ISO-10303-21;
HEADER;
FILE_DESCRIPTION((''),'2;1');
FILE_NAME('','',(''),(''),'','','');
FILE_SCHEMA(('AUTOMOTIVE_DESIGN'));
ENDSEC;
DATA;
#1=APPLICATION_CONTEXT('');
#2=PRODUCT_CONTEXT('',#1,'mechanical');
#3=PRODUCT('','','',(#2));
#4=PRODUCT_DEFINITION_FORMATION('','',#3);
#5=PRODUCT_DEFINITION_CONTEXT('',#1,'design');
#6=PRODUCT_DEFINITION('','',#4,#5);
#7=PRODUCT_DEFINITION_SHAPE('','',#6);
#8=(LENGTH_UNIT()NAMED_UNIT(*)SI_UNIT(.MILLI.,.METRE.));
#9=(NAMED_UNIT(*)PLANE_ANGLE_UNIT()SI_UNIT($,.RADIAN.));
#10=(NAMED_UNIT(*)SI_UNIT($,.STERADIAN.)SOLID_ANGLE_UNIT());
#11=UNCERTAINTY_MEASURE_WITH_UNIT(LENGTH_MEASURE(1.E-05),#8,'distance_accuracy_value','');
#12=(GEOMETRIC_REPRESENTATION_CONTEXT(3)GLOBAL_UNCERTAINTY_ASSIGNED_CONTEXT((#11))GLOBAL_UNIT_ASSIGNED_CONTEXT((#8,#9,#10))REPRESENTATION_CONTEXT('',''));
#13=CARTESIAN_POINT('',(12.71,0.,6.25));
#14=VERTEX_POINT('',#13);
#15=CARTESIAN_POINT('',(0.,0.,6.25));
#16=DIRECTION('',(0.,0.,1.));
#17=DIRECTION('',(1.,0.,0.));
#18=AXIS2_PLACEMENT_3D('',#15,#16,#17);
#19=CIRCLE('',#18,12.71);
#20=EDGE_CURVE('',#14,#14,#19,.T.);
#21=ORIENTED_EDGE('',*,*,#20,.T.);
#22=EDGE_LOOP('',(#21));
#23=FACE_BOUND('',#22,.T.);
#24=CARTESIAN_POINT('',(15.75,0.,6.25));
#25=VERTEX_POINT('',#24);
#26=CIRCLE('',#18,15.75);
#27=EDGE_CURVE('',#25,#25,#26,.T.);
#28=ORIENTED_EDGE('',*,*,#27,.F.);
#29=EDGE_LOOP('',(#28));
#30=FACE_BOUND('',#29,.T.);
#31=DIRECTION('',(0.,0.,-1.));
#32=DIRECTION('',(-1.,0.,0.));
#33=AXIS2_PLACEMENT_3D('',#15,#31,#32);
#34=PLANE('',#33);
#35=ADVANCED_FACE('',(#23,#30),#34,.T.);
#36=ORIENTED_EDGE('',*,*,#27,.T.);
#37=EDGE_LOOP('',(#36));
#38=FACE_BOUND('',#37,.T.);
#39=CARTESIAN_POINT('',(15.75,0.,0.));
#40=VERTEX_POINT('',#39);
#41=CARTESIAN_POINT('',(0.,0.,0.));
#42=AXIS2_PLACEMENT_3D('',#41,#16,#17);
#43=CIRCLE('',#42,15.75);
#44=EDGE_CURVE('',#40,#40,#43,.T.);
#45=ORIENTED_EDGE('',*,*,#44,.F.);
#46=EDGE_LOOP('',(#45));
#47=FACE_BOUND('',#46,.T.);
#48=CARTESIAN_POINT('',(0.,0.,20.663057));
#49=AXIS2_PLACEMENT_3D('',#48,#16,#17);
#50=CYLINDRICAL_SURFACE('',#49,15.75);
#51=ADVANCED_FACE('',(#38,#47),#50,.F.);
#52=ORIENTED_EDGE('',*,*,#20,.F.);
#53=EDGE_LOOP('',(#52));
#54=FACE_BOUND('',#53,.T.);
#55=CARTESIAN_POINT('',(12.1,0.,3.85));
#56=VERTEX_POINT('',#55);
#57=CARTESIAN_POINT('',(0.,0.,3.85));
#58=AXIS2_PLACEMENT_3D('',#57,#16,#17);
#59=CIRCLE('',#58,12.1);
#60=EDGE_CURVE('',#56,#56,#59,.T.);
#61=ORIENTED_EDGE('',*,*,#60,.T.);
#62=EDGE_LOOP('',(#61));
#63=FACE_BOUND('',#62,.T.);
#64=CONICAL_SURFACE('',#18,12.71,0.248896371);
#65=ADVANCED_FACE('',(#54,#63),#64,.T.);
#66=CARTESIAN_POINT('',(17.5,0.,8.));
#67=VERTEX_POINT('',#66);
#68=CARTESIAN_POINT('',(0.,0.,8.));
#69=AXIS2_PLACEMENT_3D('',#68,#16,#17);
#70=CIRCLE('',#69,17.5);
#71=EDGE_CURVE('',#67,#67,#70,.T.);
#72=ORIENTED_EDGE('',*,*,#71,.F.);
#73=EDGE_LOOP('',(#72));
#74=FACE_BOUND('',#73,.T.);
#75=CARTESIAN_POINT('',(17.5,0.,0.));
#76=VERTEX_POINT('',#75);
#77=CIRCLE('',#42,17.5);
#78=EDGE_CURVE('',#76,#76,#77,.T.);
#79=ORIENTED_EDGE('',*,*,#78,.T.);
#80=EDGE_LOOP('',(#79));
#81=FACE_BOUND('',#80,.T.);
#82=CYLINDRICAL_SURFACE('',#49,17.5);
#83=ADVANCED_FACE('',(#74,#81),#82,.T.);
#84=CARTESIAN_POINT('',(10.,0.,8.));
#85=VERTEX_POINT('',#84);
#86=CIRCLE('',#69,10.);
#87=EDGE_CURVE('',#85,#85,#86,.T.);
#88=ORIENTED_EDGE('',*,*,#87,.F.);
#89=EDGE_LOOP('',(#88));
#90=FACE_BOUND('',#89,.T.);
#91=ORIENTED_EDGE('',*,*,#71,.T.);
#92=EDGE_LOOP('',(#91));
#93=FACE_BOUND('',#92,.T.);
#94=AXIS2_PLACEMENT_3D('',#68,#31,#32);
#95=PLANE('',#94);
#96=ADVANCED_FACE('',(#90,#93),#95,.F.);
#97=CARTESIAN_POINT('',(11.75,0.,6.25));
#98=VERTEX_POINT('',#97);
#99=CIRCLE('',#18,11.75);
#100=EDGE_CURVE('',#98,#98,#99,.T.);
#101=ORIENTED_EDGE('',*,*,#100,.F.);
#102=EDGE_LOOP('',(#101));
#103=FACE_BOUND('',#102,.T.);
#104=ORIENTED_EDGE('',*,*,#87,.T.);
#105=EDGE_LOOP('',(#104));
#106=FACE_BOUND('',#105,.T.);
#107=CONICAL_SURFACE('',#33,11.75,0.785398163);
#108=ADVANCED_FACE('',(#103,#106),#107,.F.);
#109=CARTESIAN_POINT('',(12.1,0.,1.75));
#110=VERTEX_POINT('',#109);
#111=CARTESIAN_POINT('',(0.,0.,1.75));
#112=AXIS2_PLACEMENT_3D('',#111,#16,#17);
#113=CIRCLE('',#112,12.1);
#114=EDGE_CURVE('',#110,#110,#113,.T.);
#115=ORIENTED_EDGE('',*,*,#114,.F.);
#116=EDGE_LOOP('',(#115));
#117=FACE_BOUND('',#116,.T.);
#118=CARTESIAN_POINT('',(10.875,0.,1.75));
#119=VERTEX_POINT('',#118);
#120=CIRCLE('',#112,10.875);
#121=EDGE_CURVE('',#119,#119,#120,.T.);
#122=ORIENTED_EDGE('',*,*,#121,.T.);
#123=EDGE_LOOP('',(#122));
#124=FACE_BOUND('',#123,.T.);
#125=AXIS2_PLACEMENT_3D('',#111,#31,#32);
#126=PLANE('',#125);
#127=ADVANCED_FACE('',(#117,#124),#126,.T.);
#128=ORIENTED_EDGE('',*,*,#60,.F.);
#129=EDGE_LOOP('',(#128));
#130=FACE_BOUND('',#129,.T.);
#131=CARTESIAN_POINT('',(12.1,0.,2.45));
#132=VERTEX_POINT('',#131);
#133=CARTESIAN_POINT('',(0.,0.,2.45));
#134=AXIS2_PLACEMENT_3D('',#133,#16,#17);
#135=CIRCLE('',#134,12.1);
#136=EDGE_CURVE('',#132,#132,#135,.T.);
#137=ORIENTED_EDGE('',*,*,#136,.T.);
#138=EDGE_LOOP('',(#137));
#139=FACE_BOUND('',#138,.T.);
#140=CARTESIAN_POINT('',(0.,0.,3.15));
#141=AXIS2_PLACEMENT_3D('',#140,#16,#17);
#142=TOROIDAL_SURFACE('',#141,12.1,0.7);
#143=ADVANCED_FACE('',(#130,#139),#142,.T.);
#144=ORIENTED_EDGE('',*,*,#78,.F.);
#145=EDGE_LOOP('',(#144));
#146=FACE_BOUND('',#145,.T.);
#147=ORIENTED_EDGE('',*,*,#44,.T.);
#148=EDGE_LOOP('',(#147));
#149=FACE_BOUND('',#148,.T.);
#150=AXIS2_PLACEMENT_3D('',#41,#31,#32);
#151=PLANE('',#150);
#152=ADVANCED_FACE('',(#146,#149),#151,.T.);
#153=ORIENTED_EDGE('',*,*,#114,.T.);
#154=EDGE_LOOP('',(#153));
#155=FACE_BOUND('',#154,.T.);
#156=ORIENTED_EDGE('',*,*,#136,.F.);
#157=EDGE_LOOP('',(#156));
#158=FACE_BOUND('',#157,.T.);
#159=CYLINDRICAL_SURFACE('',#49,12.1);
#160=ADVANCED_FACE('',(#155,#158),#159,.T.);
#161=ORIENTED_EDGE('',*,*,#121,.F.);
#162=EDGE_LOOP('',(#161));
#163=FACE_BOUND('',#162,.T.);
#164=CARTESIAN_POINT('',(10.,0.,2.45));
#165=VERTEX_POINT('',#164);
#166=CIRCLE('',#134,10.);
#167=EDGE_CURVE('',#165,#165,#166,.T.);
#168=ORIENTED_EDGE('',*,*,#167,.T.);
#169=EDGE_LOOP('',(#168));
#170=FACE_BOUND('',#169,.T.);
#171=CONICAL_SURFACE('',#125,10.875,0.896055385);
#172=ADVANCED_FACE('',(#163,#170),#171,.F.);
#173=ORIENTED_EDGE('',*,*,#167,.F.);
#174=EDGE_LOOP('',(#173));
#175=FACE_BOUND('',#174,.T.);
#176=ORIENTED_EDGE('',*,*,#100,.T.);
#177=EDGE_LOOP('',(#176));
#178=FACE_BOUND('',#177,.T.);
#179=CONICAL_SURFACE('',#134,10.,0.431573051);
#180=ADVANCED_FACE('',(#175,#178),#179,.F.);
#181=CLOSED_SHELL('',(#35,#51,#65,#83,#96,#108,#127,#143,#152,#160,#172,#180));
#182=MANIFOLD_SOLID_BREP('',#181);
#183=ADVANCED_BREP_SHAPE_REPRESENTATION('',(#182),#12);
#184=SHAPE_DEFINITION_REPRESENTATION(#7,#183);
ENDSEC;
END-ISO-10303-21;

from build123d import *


with BuildPart() as part:
    # Sketch1 → Revolve3 (revolve)
    with BuildSketch(Plane(origin=(0, 0, 0), x_dir=(0, 0, -1), z_dir=(1, 0, 0)), mode=Mode.PRIVATE) as revolve3_sk:
        with BuildLine():
            Line((0, 15.75), (0, 17.5))
            Line((0, 17.5), (-8, 17.5))
            Line((-8, 17.5), (-8, 10))
            Line((-8, 10), (-6.25, 11.75))
            Line((-6.25, 11.75), (-2.45, 10))
            Line((-2.45, 10), (-1.75, 10.875))
            Line((-1.75, 10.875), (-1.75, 12.1))
            Line((-1.75, 12.1), (-2.45, 12.1))
            ThreePointArc((-2.45, 12.1), (-3.15, 12.8), (-3.85, 12.1))
            Line((-3.85, 12.1), (-6.25, 12.71))
            Line((-6.25, 12.71), (-6.25, 15.75))
            Line((-6.25, 15.75), (0, 15.75))
        make_face()
    revolve(revolve3_sk.sketch.rotate(Axis((0, 0, 20.663056601), (0, 0, -1)), 90), axis=Axis((0, 0, 20.663056601), (0, 0, -1)))


solid = part.part
